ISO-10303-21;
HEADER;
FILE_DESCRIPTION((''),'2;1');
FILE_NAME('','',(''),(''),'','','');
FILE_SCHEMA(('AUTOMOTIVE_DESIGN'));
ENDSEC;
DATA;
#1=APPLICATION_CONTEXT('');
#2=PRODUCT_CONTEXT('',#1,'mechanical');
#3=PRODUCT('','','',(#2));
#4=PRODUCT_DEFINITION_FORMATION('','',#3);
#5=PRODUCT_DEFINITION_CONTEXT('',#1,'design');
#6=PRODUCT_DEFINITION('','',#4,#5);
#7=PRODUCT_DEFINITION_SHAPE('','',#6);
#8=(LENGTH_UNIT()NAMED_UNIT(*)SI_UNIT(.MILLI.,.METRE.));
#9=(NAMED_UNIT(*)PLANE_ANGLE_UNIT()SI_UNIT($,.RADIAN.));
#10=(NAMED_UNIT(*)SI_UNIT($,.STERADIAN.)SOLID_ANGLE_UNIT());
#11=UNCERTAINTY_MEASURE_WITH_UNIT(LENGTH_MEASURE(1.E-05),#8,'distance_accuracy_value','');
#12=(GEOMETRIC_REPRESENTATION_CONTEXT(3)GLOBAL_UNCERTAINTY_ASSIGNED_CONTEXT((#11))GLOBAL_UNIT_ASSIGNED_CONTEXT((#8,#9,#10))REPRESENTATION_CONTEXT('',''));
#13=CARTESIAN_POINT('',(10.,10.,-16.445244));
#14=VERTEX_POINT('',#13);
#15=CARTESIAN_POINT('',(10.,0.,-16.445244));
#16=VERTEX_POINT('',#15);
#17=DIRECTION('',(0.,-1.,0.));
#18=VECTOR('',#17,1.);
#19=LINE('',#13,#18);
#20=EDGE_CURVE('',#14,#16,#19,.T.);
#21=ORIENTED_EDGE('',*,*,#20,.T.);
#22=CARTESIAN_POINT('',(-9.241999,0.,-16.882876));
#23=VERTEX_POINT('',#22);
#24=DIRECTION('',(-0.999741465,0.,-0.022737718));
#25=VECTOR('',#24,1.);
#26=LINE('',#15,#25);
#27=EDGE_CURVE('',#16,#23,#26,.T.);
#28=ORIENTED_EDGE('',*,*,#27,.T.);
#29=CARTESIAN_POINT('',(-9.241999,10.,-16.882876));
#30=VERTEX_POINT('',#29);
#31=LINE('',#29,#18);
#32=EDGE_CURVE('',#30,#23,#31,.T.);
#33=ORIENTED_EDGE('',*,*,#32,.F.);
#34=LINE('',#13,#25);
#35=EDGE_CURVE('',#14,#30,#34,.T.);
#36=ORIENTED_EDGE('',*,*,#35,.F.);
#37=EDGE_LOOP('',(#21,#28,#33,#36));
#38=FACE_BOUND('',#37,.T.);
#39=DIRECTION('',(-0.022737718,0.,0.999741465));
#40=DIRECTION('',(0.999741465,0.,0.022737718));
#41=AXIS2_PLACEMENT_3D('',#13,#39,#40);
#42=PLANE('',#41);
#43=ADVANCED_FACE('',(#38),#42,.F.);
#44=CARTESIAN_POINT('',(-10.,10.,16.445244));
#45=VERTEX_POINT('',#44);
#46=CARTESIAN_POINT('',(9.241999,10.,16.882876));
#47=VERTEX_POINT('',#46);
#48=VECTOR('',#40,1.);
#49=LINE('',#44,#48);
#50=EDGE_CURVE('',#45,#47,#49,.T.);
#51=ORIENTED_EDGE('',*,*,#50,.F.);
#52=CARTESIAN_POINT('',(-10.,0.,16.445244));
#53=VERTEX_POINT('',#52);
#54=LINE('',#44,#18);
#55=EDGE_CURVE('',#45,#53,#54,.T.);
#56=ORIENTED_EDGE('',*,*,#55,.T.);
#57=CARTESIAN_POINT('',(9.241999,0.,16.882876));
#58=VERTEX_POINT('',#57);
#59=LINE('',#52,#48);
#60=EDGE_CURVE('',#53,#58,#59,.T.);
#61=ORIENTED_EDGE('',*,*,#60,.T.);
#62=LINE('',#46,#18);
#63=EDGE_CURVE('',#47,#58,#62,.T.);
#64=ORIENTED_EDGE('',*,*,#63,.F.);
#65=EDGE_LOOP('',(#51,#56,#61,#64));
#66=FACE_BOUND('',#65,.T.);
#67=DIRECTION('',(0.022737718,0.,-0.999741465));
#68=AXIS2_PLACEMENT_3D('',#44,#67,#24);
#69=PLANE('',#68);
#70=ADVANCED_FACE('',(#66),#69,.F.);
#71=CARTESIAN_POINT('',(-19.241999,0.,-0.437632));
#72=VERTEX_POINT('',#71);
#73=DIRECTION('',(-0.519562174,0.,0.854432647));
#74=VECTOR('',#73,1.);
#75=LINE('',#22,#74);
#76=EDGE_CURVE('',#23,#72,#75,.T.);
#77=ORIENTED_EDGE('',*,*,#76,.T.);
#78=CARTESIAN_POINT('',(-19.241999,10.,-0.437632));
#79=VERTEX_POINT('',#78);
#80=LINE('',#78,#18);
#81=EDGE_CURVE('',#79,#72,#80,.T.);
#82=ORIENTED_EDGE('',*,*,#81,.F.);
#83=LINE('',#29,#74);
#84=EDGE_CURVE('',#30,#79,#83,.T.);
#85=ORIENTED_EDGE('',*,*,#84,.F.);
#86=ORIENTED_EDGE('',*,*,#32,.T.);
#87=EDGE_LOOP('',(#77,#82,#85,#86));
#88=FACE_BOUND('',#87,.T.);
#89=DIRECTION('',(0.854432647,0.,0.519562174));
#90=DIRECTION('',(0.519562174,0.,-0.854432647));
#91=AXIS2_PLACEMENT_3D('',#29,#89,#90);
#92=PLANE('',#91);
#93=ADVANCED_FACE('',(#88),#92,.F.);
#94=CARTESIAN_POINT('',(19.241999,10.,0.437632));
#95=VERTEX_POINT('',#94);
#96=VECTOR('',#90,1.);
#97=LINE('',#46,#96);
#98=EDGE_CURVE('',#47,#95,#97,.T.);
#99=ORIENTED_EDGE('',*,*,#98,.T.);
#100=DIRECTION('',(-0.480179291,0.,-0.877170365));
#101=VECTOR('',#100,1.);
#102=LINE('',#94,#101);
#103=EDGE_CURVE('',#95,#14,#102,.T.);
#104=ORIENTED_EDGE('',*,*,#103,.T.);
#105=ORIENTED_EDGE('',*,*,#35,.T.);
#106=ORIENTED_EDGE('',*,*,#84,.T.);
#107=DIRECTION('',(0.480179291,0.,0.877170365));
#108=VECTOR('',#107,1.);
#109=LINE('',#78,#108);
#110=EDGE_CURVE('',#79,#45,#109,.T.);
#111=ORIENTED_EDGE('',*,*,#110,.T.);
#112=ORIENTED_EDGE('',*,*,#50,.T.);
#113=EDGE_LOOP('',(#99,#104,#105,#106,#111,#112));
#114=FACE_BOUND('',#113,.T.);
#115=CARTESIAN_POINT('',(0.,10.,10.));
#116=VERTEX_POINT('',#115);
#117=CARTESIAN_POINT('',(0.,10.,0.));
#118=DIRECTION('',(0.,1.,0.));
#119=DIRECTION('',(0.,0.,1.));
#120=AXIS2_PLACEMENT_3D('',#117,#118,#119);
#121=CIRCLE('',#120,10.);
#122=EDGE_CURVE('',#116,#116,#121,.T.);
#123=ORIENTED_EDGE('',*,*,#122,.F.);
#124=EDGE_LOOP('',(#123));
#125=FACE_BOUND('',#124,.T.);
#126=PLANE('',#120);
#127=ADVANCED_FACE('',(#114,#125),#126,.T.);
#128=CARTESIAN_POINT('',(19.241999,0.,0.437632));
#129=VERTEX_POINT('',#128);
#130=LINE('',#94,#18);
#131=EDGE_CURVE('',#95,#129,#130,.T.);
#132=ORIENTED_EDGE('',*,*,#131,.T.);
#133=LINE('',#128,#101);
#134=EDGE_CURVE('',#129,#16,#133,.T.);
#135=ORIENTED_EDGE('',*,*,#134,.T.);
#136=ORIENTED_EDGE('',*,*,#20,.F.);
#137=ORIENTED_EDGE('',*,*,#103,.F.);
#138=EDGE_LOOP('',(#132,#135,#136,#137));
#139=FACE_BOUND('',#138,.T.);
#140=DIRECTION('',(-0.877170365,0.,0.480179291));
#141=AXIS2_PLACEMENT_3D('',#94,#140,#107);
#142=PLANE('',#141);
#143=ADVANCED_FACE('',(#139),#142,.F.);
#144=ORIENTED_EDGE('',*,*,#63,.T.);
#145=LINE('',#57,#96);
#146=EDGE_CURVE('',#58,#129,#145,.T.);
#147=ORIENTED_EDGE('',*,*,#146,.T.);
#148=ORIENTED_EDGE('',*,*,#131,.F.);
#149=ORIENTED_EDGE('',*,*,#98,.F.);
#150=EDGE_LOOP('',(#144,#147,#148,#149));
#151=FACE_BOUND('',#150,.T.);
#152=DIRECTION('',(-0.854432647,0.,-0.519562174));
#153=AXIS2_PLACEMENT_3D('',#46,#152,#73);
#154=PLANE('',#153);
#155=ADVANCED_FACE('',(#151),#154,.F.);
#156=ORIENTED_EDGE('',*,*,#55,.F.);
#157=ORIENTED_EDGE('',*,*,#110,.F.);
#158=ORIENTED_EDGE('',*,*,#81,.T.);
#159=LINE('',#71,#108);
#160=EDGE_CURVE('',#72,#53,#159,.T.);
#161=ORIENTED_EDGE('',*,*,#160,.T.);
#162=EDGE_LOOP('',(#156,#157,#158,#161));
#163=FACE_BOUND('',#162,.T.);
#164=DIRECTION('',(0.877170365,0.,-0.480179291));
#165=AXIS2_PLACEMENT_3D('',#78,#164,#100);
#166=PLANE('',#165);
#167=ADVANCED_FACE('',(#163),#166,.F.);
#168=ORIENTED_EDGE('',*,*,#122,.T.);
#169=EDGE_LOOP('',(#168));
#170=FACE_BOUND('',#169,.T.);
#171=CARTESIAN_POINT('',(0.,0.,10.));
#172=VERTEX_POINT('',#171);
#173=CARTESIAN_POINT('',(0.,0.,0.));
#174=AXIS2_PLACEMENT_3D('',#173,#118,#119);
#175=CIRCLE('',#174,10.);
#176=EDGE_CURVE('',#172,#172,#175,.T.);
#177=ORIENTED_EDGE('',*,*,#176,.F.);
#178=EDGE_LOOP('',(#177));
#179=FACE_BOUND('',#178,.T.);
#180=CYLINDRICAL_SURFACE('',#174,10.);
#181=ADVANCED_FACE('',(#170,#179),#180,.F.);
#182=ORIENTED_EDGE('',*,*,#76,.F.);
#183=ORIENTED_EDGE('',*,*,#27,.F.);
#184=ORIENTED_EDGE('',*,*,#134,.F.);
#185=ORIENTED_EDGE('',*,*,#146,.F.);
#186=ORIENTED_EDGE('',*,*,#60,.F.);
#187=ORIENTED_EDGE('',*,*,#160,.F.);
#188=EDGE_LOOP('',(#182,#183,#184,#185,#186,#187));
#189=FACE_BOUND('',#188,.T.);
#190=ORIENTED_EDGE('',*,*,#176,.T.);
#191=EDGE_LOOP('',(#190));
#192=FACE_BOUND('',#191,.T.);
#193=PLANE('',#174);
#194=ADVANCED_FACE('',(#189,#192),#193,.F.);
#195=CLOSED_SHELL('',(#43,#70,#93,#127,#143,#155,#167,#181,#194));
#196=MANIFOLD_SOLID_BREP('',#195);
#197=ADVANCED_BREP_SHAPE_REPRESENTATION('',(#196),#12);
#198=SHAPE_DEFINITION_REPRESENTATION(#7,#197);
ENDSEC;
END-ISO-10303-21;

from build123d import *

# Parameters (mm, degrees)
BOSS_EXTRU_1_DEPTH      = 10
ESQUISSE2_R             = 10
ENL_V_MAT_EXTRU_1_DEPTH = 10


with BuildPart() as part:
    # Esquisse1 → Boss.-Extru.1 (new body)
    with BuildSketch(Plane(origin=(0, 0, 0), x_dir=(1, 0, 0), z_dir=(0, 1, 0))):
        Polygon((-19.241998651, 0.437632283), (-10, -16.44524351), (9.241998651, -16.882875793), (19.241998651, -0.437632283), (10, 16.44524351), (-9.241998651, 16.882875793), align=None)
    extrude(amount=BOSS_EXTRU_1_DEPTH)

    # Esquisse2 → Enlèv. mat.-Extru.1 (cut)
    with BuildSketch(Plane(origin=(0, 10, 0), x_dir=(1, 0, 0), z_dir=(0, 1, 0))):
        Circle(ESQUISSE2_R)
    extrude(amount=-ENL_V_MAT_EXTRU_1_DEPTH, mode=Mode.SUBTRACT)


solid = part.part
